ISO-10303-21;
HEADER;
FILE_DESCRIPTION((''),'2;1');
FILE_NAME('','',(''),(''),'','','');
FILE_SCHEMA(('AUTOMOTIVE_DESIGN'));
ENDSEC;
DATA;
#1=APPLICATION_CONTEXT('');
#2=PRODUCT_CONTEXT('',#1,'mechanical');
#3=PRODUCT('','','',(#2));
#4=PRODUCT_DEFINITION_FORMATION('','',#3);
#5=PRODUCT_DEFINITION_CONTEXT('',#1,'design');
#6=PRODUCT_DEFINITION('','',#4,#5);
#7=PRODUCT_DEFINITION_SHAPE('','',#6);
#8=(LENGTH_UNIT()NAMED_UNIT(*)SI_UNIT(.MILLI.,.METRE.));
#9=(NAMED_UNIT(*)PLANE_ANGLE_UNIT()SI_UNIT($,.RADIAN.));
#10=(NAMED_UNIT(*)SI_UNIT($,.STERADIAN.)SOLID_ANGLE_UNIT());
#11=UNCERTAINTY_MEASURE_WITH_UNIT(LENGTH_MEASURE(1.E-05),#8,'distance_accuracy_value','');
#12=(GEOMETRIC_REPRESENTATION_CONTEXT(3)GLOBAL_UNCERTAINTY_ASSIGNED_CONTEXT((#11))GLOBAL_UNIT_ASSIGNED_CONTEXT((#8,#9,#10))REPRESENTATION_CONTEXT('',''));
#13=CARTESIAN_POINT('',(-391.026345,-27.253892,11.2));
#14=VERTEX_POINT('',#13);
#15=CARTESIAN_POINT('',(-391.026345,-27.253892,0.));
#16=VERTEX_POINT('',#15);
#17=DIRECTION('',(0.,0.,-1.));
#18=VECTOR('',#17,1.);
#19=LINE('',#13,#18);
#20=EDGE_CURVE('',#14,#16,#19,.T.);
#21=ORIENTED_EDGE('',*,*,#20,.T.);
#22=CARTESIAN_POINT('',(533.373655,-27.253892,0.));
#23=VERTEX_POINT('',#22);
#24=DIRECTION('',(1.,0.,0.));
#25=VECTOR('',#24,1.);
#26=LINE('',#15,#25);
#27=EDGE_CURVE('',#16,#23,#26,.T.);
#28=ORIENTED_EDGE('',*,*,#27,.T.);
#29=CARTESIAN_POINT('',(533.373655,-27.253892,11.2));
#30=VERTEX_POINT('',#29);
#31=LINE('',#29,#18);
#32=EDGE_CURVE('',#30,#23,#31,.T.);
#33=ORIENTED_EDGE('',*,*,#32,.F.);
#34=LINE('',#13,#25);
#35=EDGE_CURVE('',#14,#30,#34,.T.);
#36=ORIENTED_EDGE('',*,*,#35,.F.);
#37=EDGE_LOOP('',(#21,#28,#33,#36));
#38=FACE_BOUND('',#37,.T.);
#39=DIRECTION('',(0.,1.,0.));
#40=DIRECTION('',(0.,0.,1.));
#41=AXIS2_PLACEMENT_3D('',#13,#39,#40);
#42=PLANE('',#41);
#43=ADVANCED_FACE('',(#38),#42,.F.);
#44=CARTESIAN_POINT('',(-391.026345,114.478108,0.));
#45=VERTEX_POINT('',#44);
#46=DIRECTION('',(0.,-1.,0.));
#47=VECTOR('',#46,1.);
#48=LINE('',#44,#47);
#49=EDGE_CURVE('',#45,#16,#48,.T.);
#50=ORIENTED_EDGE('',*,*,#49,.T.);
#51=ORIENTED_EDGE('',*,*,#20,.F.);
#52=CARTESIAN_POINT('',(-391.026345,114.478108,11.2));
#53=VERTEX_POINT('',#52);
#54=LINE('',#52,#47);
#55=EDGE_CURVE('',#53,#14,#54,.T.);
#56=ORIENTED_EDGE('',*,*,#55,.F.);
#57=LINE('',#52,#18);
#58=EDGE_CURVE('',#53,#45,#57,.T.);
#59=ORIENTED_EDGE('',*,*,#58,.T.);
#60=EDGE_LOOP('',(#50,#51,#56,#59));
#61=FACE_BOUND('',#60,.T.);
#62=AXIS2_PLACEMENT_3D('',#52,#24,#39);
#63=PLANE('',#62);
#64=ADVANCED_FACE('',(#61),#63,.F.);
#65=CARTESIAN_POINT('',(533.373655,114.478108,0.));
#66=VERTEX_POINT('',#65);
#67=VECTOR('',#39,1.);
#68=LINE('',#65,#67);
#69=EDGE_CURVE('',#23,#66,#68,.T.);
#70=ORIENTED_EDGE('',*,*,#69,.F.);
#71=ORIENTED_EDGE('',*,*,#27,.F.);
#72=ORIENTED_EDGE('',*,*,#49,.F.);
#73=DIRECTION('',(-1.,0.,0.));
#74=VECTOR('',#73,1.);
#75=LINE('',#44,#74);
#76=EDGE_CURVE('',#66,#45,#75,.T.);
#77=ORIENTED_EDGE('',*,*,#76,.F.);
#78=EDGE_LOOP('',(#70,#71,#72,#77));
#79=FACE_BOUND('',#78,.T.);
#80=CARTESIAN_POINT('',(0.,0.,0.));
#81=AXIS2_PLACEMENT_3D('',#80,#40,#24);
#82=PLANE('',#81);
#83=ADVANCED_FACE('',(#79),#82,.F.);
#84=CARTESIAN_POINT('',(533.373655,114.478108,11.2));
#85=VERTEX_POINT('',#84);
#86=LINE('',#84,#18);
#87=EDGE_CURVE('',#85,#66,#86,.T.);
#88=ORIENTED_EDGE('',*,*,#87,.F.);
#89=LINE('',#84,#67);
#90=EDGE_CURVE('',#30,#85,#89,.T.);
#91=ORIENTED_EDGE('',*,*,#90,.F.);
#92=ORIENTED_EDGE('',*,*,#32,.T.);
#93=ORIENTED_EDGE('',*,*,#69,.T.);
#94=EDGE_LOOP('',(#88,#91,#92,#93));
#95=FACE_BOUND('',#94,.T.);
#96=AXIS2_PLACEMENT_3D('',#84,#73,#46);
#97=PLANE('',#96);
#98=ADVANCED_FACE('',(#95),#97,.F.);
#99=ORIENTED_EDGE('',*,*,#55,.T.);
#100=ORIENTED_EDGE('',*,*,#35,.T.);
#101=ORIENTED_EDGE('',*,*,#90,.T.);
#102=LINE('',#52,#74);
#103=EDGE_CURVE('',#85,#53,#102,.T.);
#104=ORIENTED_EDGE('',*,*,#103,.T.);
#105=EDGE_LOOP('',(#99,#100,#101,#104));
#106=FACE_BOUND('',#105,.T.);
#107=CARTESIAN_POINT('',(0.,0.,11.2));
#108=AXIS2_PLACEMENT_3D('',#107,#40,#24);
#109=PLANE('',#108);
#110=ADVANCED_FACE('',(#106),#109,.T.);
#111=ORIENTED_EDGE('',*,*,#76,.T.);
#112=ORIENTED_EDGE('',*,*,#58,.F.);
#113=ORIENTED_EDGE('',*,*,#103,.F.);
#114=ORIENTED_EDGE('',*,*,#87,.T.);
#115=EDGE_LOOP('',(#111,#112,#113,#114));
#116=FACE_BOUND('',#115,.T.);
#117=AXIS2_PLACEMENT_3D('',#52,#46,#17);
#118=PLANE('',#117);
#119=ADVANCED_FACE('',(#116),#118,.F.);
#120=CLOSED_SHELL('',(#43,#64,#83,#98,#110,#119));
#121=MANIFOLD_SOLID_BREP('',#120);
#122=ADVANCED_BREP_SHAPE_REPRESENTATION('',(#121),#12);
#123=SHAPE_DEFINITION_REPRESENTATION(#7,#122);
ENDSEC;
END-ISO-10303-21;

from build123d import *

# Parameters (mm, degrees)
SKETCH1_W           = 924.4
SKETCH1_H           = 141.732
BOSS_EXTRUDE1_DEPTH = 11.2


with BuildPart() as part:
    # Sketch1 → Boss-Extrude1 (new body)
    with BuildSketch(Plane.XY):
        with Locations((71.173654917, 43.612107607)):
            Rectangle(SKETCH1_W, SKETCH1_H)
    extrude(amount=BOSS_EXTRUDE1_DEPTH)


solid = part.part
